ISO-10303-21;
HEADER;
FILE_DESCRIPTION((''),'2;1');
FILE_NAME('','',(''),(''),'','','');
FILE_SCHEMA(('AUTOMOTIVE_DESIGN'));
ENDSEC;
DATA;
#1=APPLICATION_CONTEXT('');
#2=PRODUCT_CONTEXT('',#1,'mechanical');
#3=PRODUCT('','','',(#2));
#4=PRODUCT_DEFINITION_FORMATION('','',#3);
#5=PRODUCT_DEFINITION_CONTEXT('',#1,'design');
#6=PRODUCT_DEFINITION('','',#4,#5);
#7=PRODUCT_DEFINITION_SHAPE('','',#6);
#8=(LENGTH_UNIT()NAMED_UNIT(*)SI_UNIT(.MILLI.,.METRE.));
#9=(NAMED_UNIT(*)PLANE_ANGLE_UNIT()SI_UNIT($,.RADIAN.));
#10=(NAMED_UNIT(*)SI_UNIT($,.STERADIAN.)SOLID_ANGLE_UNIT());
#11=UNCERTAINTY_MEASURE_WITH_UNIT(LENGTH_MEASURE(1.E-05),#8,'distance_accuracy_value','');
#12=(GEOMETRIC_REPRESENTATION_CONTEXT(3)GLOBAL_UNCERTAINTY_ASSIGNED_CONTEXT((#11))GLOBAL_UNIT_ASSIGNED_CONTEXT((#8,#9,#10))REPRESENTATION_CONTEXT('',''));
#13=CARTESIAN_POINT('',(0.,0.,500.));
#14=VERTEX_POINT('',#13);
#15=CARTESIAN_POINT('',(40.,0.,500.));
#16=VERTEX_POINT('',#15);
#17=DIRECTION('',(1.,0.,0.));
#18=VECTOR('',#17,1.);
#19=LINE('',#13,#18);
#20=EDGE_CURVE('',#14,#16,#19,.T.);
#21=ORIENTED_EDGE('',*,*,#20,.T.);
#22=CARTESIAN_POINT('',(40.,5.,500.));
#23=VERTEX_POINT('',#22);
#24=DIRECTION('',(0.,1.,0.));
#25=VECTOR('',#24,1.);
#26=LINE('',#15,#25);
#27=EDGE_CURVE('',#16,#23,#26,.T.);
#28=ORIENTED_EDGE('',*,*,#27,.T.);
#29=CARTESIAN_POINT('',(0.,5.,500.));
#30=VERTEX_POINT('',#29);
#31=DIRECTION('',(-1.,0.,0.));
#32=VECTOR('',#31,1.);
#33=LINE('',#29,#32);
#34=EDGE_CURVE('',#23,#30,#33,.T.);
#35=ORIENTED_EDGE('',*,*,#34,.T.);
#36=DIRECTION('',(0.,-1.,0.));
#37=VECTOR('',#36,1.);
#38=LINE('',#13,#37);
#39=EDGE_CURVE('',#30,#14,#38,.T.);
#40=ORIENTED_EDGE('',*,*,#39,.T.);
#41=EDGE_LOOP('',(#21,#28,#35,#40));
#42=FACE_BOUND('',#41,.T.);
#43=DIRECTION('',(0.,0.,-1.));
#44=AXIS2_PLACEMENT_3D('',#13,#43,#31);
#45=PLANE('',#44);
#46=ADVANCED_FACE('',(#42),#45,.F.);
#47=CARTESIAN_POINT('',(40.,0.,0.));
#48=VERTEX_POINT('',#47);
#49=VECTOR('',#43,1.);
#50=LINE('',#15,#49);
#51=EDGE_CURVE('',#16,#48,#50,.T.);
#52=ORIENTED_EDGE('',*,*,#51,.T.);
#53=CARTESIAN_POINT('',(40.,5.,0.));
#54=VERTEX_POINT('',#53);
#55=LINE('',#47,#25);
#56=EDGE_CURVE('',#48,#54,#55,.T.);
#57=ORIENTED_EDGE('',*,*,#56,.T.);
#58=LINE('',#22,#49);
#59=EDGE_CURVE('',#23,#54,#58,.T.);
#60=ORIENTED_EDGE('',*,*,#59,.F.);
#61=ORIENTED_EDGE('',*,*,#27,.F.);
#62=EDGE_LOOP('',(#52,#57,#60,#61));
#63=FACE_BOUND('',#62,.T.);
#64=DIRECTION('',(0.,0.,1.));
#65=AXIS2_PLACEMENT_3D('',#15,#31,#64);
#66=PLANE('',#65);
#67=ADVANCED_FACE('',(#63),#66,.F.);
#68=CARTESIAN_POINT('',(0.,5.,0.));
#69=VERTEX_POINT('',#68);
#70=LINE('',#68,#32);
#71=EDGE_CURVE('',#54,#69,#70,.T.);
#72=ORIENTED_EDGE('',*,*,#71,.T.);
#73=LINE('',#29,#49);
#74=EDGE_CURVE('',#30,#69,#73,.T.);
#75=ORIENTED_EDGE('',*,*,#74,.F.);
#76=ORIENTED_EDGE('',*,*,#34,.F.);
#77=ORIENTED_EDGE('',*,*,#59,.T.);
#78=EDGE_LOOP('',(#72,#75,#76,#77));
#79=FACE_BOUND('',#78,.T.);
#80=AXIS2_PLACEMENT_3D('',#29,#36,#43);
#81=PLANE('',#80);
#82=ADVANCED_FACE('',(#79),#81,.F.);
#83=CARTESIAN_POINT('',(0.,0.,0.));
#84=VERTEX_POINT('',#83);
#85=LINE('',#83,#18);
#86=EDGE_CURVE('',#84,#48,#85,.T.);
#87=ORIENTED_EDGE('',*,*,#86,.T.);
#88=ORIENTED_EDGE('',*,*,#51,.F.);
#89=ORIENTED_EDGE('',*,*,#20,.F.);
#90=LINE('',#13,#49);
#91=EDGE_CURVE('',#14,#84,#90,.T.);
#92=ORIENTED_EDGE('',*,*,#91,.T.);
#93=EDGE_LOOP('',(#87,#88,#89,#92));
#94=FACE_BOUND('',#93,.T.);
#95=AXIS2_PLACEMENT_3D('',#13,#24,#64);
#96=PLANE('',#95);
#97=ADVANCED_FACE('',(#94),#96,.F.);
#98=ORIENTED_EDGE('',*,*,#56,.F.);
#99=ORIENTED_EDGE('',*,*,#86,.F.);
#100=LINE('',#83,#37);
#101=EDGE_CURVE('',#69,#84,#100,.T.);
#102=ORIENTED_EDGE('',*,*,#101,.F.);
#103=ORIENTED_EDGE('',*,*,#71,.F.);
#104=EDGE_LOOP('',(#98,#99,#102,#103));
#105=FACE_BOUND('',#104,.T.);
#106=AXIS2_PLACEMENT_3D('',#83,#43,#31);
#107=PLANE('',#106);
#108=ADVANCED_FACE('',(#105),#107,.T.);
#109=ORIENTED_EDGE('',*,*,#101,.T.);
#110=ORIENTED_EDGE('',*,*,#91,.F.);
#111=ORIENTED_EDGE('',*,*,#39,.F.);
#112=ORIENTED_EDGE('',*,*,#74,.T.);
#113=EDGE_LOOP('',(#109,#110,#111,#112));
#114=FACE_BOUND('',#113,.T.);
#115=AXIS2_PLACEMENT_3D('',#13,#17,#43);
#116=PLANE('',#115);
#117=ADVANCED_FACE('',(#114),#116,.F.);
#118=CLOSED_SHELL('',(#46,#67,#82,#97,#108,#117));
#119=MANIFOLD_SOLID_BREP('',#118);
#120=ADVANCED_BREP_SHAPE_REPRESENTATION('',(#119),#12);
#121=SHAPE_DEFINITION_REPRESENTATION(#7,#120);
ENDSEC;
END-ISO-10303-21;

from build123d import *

# Parameters (mm, degrees)
ESQUISSE1_W        = 40
ESQUISSE1_H        = 5
BOSS_EXTRU_1_DEPTH = 500


with BuildPart() as part:
    # Esquisse1 → Boss.-Extru.1 (new body)
    with BuildSketch(Plane.XY):
        with Locations((20, 2.5)):
            Rectangle(ESQUISSE1_W, ESQUISSE1_H)
    extrude(amount=BOSS_EXTRU_1_DEPTH)


solid = part.part
